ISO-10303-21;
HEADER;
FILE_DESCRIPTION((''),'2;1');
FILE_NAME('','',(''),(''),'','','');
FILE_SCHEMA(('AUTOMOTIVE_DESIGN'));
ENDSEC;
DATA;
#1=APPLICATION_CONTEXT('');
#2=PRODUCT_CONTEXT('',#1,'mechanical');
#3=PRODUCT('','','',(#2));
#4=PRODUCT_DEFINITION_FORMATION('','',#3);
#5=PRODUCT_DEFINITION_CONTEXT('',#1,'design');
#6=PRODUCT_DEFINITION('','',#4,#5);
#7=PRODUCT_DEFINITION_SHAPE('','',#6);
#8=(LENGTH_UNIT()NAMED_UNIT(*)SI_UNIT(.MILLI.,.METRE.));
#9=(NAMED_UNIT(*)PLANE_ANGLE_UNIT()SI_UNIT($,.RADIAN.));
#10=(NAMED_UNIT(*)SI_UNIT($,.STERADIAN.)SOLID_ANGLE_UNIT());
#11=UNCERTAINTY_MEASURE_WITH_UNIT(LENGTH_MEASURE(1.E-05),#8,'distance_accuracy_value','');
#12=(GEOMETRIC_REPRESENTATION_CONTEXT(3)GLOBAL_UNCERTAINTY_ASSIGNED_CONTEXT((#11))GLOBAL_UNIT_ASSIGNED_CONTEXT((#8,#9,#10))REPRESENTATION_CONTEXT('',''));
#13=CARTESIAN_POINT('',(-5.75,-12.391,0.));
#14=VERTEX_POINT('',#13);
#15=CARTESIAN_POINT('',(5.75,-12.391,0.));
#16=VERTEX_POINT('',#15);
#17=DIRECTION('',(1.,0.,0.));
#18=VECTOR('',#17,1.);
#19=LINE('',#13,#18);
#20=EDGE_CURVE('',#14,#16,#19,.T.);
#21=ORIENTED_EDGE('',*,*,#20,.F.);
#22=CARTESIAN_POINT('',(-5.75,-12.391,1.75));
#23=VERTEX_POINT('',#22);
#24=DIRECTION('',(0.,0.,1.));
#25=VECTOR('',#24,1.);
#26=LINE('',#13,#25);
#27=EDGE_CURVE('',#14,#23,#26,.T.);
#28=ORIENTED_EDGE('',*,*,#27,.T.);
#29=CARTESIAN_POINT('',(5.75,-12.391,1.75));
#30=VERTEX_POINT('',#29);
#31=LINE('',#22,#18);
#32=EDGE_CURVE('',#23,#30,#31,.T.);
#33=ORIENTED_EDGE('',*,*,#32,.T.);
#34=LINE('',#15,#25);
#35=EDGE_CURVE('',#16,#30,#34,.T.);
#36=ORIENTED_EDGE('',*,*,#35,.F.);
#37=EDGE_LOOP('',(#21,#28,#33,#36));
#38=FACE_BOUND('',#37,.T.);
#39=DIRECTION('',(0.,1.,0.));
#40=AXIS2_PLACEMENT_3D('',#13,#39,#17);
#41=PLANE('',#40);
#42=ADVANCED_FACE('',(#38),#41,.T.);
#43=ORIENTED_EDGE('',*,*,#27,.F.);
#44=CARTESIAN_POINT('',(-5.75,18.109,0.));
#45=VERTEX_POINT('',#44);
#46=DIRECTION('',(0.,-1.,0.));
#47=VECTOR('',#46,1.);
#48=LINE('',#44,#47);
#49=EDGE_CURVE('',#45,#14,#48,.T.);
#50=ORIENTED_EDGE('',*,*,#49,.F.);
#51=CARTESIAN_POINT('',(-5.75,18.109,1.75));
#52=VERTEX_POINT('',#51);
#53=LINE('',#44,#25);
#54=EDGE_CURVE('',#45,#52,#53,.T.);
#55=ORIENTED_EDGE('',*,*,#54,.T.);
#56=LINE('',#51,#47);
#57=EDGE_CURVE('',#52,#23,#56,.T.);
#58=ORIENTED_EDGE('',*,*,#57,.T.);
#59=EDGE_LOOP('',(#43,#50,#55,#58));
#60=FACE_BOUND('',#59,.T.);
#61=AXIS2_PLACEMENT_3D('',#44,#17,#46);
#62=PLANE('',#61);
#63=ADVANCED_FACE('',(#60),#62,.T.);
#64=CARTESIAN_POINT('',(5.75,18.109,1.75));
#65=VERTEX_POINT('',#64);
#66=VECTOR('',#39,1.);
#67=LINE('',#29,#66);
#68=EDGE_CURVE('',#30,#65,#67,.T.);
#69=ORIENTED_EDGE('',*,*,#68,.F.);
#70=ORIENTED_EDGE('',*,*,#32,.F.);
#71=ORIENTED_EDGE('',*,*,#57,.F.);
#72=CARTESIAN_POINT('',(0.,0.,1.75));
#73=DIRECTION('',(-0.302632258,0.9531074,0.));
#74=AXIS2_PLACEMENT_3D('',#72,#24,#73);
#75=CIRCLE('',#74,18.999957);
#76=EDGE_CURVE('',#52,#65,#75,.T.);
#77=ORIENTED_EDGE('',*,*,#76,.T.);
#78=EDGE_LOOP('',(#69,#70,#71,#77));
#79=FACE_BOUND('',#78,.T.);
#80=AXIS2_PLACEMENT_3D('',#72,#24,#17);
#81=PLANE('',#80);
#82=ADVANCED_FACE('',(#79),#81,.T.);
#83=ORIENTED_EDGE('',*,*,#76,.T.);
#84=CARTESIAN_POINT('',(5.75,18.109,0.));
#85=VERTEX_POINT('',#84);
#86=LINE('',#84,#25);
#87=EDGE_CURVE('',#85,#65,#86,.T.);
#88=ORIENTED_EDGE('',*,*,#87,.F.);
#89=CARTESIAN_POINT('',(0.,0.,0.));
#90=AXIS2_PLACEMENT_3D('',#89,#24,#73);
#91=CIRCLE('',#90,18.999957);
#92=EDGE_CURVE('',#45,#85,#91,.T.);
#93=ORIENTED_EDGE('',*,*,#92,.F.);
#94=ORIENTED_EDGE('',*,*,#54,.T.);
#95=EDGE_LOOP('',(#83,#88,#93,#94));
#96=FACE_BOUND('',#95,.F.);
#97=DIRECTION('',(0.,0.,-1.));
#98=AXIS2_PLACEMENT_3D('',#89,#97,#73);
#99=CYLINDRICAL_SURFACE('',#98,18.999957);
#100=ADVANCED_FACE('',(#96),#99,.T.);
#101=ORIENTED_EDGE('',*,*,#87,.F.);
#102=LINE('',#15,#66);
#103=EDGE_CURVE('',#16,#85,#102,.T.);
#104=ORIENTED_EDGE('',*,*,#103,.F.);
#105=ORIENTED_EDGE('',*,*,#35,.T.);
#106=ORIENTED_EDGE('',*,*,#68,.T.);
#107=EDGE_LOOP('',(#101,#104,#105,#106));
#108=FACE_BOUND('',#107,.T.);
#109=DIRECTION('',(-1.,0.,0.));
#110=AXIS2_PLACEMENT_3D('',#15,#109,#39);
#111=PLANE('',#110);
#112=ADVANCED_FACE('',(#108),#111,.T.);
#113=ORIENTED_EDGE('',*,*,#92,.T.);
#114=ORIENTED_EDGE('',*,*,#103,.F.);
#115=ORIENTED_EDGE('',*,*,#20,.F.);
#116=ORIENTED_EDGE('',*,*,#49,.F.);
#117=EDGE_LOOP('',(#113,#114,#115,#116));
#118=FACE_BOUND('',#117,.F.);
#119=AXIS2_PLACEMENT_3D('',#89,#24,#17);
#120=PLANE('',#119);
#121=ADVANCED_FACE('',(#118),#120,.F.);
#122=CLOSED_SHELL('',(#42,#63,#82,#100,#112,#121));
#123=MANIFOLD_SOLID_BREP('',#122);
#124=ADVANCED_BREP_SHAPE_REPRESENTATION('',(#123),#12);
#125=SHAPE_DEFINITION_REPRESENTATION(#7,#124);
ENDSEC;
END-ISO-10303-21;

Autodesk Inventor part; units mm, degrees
ref_plane "YZ Plane" through (0, 0, 0) normal (1, 0, 0) x (0, 1, 0)
ref_plane "XZ Plane" through (0, 0, 0) normal (0, 1, 0) x (-1, 0, 0)
ref_plane "XY Plane" through (0, 0, 0) normal (0, 0, 1) x (1, 0, 0)
sketch "Sketch1" plane through (0, 0, 0) normal (0, 0, 1) x (1, 0, 0)
  arc A0 (-5.75, 18.109) -> (5.75, 18.109) centre (0, 0) ccw
  line L0 (-5.75, -12.391) -> (5.75, -12.391)
  line L1 (-5.75, 18.109) -> (-5.75, -12.391)
  line L2 (5.75, -12.391) -> (5.75, 18.109)
  point P0 (0, -12.391)
  dimension "d0" = 38
  dimension "d1" = 11.5
  dimension "d2" = 30.5
  dimension "d3" = 30.5
extrude "Extrusion1" add sketch "Sketch1" along normal blind 1.75
sketch "Sketch2" plane through (0, 0, 0) normal (0, 0, 1) x (1, 0, 0)
  point P0 (0, 0)
sketch "Sketch3" plane through (0, 0, 1.75) normal (0, 0, 1) x (1, 0, 0)
  point P0 (0, 0)
properties part number "pomiedzy"
